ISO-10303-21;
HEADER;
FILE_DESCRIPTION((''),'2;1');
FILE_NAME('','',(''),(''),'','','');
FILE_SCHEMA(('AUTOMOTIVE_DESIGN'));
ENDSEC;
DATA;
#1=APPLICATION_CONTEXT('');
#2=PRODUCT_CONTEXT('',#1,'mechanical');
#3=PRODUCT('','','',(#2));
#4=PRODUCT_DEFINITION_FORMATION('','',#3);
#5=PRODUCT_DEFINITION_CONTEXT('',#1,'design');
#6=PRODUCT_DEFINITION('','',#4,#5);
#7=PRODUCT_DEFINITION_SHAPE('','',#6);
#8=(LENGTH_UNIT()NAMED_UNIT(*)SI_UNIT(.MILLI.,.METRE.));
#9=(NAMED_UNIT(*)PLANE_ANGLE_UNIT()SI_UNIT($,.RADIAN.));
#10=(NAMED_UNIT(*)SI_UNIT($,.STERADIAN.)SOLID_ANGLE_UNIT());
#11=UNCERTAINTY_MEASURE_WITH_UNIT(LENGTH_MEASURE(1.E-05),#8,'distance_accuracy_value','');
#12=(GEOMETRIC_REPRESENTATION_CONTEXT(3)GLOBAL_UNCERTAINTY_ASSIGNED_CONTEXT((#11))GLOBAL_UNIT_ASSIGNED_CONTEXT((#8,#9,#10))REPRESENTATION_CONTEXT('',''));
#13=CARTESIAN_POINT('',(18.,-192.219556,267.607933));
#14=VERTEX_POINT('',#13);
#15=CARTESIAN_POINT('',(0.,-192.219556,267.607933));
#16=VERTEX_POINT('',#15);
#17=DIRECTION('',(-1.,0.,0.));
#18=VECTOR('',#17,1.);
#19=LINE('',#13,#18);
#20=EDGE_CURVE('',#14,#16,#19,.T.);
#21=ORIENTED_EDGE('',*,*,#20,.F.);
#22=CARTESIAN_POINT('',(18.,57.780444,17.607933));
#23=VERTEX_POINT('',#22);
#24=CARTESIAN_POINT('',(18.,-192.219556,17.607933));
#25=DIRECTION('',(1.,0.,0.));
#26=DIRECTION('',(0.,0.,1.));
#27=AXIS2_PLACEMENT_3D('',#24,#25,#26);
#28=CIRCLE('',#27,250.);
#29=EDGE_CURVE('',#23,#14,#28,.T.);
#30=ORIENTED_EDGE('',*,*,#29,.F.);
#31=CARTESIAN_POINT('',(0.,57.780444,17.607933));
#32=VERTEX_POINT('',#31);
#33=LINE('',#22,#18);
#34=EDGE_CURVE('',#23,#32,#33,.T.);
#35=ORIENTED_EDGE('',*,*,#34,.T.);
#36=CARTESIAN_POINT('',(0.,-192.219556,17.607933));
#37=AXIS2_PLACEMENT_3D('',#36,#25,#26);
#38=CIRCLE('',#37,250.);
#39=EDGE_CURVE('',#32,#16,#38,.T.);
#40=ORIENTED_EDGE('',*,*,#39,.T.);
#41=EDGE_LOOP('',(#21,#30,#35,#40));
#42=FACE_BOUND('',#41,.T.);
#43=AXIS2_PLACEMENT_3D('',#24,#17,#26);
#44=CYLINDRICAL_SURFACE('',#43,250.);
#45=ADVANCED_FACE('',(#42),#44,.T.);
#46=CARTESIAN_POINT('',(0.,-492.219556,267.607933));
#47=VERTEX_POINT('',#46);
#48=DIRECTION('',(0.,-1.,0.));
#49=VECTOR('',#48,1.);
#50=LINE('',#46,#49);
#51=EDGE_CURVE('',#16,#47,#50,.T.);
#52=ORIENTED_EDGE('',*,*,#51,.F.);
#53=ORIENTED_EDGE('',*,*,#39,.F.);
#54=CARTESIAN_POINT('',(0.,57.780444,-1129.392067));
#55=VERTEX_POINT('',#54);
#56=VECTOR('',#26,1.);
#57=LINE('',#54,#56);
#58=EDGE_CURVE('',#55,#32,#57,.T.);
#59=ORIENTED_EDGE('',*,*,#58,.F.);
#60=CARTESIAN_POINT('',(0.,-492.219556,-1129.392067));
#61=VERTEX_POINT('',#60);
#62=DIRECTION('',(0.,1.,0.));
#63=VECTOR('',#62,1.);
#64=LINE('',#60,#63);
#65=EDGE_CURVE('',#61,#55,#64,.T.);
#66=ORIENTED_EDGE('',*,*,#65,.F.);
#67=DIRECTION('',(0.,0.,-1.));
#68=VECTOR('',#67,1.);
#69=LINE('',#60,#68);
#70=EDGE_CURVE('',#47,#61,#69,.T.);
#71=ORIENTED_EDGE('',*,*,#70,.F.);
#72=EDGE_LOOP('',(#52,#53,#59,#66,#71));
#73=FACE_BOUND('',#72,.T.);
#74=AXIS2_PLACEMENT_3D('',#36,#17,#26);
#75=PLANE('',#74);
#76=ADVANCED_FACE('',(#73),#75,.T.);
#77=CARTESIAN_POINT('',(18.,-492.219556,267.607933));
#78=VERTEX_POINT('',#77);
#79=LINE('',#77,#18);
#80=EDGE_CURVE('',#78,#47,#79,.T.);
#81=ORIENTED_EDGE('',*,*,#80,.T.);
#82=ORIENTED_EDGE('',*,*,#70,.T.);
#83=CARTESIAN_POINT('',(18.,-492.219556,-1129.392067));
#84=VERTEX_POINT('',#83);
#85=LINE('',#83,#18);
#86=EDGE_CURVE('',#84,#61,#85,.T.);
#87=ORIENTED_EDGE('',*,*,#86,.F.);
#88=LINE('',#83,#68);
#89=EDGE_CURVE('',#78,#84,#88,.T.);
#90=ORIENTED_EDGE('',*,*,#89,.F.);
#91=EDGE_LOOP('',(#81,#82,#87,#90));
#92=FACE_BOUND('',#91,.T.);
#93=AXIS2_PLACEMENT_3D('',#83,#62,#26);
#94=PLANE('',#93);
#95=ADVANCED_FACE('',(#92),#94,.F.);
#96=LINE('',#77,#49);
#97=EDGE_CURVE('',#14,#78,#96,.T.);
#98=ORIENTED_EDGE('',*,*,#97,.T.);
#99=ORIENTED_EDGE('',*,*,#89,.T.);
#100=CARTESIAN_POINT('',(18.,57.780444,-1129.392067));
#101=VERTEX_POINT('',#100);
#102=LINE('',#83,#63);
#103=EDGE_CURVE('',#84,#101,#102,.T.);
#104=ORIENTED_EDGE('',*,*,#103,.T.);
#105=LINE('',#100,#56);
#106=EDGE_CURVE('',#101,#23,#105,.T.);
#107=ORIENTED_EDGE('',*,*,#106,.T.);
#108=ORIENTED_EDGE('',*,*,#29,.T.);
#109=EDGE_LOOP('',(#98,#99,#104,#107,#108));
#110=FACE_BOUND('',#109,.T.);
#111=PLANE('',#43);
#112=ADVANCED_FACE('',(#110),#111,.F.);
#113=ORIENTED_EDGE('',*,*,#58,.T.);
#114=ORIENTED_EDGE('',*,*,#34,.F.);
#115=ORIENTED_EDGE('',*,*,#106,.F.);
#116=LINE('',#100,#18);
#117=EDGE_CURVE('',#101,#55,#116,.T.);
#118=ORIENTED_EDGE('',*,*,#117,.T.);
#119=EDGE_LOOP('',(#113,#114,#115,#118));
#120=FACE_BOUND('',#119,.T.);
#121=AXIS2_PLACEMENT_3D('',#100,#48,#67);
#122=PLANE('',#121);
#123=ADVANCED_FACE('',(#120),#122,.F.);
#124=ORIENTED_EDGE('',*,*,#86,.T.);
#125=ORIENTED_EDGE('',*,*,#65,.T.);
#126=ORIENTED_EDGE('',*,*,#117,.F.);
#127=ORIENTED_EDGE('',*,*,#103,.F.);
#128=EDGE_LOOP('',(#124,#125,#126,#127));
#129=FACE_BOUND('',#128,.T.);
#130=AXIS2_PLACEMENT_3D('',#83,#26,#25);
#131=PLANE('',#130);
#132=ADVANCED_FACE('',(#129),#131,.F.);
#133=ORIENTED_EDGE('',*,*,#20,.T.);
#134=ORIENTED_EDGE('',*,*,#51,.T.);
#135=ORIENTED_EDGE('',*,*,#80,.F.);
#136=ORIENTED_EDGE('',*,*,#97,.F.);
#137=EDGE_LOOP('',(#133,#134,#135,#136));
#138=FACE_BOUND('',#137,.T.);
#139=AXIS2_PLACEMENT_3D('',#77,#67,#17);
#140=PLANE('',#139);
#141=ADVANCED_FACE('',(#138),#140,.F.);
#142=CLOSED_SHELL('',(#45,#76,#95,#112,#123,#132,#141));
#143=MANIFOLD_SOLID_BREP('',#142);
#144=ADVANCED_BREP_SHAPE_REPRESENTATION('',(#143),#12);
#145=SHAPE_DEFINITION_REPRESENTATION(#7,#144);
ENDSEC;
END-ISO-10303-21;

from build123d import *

# Parameters (mm, degrees)
BOSS_EXTRUDE1_DEPTH = 18


with BuildPart() as part:
    # Sketch1 → Boss-Extrude1 (new body)
    with BuildSketch(Plane(origin=(0, 0, 0), x_dir=(0, 0, -1), z_dir=(1, 0, 0))):
        with BuildLine():
            Line((1129.392066811, -492.219556499), (-267.607933189, -492.219556499))
            Line((-267.607933189, -492.219556499), (-267.607933189, -192.219556499))
            ThreePointArc((-267.607933189, -192.219556499), (-194.384628485, -15.442861202), (-17.607933189, 57.780443501))
            Line((-17.607933189, 57.780443501), (1129.392066811, 57.780443501))
            Line((1129.392066811, 57.780443501), (1129.392066811, -492.219556499))
        make_face()
    extrude(amount=BOSS_EXTRUDE1_DEPTH)


solid = part.part
